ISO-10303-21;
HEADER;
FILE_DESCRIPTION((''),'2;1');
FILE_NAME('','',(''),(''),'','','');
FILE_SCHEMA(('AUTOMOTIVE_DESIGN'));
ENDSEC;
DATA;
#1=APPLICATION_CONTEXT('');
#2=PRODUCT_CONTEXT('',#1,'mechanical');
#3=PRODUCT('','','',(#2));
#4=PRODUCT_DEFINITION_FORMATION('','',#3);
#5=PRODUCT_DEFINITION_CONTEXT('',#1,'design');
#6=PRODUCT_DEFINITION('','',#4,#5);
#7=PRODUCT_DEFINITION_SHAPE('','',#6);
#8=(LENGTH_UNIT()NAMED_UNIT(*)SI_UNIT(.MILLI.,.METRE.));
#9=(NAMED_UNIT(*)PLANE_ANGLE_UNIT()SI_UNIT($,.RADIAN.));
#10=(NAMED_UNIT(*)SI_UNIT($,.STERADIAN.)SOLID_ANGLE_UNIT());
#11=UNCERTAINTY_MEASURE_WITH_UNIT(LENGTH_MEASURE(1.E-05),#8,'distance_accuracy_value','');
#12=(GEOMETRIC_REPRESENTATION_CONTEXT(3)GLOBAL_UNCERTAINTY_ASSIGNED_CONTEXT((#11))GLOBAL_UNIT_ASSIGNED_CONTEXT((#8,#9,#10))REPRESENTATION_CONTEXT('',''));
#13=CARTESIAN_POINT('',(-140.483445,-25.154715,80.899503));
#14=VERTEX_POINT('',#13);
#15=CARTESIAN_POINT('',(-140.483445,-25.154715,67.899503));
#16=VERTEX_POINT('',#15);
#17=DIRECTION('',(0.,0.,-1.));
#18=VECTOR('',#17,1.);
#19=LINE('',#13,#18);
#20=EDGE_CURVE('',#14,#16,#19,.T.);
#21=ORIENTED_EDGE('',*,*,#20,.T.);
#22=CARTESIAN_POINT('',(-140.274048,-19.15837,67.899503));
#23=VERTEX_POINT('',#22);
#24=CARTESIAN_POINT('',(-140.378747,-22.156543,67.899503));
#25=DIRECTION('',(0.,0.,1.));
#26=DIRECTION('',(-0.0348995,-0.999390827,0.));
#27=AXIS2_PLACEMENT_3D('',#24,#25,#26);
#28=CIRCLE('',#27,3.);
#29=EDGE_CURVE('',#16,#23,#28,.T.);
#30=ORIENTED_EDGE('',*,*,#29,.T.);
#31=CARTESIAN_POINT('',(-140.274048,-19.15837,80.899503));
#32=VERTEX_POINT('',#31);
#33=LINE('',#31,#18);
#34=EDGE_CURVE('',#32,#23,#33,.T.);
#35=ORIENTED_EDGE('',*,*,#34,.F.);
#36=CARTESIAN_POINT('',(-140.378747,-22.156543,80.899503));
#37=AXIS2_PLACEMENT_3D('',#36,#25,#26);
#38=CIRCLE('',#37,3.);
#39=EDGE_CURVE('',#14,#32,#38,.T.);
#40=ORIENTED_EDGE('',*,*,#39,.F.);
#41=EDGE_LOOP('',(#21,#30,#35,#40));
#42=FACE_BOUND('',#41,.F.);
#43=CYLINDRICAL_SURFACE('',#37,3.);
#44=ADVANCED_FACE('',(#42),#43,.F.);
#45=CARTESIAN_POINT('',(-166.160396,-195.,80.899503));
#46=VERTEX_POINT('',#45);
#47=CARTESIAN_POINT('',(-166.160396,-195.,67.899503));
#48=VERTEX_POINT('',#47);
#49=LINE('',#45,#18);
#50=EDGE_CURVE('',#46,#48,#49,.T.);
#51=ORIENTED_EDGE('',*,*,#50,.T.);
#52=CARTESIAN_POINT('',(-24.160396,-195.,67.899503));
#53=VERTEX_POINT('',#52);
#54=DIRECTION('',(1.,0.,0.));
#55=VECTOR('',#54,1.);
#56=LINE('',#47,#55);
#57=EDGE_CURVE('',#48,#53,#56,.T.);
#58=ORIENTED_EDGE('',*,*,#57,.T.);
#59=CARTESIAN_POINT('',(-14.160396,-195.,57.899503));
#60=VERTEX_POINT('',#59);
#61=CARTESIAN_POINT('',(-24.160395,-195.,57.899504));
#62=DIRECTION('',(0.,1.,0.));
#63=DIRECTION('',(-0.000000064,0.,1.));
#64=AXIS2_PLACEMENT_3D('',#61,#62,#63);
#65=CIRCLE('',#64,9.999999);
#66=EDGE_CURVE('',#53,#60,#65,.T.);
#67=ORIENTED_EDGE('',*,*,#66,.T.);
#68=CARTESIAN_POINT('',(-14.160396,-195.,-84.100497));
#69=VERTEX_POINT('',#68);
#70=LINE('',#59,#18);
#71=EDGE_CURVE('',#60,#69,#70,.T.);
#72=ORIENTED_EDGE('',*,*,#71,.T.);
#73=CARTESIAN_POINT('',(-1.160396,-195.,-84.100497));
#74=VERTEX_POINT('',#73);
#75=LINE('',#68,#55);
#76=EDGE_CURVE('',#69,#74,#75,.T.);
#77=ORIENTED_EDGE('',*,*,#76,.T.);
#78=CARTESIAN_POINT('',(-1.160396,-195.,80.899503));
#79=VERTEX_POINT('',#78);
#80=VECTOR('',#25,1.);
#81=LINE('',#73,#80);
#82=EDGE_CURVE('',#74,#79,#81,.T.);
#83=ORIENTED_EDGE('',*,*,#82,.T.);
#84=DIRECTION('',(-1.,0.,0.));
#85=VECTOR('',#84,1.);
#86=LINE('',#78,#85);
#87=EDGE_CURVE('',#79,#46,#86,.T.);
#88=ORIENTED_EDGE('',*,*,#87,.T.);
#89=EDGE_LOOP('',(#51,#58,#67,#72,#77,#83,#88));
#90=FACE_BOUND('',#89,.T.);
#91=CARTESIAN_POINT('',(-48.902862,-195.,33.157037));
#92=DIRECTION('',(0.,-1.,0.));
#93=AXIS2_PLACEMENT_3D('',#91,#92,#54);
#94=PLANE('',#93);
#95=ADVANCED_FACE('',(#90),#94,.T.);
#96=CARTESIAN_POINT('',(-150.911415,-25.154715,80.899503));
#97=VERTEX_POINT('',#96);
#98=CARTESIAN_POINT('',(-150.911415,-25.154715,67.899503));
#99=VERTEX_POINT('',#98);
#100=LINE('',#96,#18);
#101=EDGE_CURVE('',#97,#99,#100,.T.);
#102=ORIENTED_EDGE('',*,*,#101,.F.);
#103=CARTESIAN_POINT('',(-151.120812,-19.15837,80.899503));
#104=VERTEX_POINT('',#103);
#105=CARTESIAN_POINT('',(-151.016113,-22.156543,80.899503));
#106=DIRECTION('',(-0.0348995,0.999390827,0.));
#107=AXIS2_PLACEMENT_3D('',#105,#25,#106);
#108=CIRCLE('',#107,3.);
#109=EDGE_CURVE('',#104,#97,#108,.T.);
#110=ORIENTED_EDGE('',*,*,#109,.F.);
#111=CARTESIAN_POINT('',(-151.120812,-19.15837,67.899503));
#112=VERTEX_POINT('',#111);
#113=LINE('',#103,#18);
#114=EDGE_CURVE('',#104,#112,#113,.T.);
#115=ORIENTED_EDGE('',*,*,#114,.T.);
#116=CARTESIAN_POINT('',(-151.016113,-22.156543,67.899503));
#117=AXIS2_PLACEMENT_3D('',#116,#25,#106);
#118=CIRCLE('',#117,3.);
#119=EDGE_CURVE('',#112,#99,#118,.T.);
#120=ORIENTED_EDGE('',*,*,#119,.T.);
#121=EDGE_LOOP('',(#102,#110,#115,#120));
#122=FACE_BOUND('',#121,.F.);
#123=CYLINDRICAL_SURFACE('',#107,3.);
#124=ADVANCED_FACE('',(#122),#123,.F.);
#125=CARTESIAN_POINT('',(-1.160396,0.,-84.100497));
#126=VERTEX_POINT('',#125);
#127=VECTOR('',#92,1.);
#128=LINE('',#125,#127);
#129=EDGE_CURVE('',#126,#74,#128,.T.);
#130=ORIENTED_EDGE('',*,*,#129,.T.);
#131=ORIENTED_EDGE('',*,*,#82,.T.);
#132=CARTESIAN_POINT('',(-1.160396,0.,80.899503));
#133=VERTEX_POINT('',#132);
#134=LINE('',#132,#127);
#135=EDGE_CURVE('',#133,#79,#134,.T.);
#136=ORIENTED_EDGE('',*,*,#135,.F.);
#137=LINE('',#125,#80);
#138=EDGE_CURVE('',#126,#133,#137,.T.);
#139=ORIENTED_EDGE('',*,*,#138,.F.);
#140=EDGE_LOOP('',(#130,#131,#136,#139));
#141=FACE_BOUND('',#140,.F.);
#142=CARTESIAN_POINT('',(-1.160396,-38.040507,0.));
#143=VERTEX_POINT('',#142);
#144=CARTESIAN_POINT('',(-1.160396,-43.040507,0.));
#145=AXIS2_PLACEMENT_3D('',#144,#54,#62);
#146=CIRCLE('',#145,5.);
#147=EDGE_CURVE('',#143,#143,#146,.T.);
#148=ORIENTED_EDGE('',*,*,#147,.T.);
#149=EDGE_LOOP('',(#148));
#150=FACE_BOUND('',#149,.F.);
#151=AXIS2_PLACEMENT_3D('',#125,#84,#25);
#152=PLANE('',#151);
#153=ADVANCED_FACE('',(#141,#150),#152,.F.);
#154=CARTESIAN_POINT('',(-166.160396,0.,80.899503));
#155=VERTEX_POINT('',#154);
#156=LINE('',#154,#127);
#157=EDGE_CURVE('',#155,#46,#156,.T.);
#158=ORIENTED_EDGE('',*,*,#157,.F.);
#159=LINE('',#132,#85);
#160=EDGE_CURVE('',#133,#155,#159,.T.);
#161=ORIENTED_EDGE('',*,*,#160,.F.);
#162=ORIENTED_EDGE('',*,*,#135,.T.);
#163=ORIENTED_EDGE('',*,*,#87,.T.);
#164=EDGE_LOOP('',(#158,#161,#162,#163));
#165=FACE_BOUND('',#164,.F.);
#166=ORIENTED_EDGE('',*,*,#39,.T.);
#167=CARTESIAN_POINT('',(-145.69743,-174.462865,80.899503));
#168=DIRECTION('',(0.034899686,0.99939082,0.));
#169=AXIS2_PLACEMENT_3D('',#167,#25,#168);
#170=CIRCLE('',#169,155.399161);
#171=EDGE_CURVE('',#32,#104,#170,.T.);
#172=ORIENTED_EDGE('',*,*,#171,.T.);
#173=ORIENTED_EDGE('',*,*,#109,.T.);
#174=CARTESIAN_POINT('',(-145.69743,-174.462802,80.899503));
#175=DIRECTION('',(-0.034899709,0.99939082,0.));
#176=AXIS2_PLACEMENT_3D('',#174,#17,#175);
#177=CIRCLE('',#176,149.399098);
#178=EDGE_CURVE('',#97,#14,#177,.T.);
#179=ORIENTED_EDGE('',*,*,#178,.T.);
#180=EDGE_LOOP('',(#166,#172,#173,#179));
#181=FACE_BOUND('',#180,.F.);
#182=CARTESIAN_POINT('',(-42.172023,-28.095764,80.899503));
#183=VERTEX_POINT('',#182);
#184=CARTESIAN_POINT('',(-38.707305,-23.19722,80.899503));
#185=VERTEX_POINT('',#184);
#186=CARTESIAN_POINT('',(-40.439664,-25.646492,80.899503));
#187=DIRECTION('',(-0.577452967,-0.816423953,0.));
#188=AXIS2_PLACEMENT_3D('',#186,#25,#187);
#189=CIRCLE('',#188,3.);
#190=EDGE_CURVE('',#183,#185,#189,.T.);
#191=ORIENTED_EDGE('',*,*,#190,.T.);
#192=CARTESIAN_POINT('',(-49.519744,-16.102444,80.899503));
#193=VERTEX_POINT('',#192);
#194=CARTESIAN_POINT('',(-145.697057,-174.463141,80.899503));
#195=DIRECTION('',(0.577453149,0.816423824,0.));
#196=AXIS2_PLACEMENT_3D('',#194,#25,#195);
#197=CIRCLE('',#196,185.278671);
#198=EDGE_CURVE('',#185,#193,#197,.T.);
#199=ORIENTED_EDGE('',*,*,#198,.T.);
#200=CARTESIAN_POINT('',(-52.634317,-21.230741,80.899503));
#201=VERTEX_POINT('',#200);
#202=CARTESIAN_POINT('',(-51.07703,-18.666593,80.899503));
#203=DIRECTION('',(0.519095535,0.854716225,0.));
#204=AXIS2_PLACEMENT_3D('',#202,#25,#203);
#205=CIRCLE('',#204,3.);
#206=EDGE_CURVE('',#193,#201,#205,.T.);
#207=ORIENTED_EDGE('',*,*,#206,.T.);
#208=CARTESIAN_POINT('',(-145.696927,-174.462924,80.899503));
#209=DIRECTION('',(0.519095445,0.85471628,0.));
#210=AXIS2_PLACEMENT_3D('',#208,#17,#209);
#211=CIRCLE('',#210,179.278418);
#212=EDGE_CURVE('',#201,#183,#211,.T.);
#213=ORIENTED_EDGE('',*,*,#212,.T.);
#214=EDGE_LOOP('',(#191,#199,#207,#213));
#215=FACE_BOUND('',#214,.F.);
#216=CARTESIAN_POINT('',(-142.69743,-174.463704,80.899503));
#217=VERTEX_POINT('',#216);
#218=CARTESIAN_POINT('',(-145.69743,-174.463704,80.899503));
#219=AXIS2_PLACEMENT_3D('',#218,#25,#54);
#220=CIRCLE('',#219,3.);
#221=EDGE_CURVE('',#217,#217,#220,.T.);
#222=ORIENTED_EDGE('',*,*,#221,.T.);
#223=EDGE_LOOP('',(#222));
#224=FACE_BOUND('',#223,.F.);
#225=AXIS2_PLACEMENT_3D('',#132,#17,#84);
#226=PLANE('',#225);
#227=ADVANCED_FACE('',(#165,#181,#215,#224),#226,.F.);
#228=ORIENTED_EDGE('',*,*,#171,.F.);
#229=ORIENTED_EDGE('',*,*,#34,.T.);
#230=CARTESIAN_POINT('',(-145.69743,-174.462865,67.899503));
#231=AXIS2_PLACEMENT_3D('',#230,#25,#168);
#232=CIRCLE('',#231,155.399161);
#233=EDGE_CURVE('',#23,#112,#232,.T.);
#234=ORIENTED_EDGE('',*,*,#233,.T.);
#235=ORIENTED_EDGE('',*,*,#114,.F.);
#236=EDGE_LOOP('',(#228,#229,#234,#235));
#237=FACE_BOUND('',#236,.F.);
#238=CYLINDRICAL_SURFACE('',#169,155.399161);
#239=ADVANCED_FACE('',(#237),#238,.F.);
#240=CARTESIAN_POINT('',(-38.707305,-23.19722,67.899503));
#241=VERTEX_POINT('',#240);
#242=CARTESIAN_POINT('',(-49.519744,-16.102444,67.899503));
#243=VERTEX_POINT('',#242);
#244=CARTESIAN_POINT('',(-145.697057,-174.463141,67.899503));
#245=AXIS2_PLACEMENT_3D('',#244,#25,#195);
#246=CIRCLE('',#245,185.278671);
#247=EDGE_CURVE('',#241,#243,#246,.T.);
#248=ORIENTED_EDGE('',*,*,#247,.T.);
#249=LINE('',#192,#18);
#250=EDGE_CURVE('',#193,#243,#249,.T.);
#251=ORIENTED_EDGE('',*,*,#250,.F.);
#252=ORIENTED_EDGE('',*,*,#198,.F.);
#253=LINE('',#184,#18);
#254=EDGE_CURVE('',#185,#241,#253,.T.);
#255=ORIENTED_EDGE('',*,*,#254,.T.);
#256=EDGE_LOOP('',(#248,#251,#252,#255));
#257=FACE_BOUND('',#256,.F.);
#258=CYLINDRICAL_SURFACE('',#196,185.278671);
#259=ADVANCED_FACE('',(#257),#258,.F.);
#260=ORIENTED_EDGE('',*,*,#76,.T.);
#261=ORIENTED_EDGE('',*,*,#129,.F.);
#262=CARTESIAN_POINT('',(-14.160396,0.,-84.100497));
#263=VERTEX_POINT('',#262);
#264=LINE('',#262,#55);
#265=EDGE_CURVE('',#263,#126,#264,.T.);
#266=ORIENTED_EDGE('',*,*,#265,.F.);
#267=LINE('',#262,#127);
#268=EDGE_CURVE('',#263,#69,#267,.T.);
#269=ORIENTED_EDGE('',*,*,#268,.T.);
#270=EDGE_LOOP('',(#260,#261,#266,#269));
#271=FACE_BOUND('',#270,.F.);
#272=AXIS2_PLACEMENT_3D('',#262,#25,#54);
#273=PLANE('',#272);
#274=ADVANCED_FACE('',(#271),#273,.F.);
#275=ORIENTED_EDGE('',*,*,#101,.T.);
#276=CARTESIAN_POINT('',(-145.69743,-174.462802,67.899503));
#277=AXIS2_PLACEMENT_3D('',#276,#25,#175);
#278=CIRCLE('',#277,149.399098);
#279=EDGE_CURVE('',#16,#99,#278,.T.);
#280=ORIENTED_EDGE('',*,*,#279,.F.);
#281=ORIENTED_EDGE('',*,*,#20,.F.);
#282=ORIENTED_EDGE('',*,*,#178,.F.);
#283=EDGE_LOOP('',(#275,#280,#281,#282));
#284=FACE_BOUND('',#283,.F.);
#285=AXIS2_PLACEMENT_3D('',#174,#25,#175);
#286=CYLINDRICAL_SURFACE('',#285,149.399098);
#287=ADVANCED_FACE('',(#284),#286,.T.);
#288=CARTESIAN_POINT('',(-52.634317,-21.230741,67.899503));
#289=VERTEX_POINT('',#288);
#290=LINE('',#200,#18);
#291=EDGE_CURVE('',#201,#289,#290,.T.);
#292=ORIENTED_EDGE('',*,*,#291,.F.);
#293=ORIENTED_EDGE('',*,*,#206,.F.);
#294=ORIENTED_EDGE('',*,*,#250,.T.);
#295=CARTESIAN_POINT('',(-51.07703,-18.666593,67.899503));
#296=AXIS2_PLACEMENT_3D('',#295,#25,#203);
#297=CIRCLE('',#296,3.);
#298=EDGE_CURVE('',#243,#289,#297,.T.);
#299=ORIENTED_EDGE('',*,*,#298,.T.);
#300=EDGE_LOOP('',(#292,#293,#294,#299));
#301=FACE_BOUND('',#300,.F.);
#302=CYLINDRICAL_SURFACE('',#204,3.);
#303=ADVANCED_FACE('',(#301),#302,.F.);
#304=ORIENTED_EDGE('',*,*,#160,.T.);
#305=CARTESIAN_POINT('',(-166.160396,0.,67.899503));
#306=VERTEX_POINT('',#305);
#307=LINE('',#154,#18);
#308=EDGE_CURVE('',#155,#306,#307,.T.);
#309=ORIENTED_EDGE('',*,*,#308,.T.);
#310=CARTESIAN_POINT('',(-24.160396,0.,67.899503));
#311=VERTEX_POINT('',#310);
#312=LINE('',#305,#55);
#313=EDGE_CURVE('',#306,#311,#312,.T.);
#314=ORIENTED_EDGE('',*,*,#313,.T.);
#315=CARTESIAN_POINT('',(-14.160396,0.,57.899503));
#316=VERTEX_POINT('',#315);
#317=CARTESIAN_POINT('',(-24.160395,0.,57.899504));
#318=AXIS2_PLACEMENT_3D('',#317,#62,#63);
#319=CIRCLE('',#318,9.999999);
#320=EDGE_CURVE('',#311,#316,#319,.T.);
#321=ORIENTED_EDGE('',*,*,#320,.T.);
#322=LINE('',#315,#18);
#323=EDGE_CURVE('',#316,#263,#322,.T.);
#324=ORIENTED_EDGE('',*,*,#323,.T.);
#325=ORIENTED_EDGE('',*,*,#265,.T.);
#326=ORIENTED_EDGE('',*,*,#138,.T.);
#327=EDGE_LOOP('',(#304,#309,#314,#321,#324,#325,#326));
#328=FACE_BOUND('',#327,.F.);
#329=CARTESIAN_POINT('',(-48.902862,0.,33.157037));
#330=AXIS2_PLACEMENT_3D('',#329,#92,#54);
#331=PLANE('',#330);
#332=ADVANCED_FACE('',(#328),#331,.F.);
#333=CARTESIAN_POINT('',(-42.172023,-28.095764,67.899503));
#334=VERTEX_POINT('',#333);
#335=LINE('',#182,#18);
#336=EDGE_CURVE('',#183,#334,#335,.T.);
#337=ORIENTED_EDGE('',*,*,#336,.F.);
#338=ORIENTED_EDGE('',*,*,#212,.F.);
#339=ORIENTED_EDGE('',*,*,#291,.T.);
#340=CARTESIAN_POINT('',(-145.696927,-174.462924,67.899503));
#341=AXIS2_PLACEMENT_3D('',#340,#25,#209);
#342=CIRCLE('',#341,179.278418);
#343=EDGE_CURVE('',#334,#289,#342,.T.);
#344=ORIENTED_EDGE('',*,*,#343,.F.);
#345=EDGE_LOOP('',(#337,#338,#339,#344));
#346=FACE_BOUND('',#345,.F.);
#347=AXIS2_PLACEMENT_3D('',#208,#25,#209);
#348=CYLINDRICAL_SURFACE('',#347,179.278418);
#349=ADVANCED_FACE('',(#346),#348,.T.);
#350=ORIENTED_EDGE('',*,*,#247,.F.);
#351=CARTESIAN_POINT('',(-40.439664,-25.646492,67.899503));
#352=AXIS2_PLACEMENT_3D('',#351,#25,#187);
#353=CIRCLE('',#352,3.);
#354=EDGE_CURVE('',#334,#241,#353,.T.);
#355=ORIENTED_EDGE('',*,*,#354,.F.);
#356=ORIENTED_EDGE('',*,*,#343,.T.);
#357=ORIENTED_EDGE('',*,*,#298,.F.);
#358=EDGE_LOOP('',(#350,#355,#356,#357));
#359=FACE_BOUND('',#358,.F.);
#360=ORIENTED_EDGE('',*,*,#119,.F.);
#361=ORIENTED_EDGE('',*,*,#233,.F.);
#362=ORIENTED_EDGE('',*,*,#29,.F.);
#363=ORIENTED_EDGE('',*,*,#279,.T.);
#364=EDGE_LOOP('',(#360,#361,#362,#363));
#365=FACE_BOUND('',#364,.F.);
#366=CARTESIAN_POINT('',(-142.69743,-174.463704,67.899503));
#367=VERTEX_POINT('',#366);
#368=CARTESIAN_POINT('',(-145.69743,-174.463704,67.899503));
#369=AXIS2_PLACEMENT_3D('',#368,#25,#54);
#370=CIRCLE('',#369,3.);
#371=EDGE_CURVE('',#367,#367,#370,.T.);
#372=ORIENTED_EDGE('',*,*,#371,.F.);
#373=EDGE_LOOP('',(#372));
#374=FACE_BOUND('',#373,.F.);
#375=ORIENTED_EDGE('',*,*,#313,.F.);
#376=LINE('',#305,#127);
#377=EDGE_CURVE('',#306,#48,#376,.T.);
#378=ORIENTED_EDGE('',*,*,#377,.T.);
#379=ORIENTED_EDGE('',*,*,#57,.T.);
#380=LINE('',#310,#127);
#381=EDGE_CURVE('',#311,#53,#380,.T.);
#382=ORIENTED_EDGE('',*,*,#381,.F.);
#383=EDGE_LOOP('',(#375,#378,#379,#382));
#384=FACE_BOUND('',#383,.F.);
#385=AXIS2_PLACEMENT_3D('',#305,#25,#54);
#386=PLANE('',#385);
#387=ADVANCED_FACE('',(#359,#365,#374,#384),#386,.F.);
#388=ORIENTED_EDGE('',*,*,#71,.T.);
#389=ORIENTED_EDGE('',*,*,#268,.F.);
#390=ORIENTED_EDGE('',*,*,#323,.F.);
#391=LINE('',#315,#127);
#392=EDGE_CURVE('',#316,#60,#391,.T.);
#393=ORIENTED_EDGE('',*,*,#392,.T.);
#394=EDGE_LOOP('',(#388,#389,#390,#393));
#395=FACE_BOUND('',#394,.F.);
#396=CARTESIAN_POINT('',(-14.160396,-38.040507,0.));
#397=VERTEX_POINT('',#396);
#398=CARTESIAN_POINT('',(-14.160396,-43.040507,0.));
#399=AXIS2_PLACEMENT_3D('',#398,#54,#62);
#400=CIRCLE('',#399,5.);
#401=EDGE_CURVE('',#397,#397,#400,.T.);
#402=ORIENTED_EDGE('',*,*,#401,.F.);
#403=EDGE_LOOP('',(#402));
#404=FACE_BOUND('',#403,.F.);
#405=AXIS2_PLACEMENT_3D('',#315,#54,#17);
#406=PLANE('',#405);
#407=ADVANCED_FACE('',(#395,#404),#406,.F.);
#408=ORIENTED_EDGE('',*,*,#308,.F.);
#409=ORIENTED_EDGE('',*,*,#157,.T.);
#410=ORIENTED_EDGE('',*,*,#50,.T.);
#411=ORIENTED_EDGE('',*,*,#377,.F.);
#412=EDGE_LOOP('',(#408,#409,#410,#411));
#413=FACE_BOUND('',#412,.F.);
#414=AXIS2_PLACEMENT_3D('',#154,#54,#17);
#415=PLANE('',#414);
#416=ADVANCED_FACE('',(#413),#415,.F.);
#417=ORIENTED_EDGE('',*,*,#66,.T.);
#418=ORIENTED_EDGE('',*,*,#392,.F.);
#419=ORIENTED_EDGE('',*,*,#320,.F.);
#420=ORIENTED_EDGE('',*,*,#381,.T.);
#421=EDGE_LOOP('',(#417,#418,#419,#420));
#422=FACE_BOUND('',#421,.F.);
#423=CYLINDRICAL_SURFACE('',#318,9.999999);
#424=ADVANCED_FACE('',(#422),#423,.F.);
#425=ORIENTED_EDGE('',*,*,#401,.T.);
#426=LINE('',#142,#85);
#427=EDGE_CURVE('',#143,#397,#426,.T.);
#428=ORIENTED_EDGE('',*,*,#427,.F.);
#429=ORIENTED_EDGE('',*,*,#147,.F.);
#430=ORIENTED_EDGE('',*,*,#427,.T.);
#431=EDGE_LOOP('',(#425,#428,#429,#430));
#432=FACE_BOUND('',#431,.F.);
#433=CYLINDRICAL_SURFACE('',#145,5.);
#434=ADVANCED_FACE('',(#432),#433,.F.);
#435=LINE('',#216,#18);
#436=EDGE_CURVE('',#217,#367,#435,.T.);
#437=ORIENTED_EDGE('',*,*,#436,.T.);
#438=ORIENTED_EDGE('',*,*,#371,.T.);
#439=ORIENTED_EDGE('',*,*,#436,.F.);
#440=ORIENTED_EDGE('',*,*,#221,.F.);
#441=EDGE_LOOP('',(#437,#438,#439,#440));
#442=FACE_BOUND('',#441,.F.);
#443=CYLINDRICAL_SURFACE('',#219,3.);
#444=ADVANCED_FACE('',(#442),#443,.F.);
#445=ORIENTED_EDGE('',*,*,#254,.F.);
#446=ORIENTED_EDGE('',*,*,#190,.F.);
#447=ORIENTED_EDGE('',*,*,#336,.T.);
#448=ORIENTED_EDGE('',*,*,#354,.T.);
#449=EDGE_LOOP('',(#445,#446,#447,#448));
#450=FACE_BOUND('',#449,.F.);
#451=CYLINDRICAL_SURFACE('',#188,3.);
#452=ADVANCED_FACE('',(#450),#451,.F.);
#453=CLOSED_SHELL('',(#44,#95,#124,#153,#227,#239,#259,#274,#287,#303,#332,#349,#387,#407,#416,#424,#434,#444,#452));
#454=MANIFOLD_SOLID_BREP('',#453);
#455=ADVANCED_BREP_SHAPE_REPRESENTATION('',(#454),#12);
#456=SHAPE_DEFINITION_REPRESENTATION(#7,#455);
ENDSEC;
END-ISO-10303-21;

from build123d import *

# Parameters (mm, degrees)
F1_DEPTH = 195
F2_R     = 3
F3_DEPTH = 25
F4_R     = 5
F5_DEPTH = 25


with BuildPart() as f1:
    # F0 (on Front) → F1 (new body)
    with BuildSketch(Plane.XZ):
        with BuildLine():
            Line((-1.160396, -84.100497), (-1.160396, 80.899503))
            Line((-1.160396, 80.899503), (-166.160396, 80.899503))
            Line((-166.160396, 80.899503), (-166.160396, 67.899503))
            Line((-166.160396, 67.899503), (-24.160396, 67.899503))
            ThreePointArc((-24.160396, 67.899503), (-17.089328, 64.970571), (-14.160396, 57.899503))
            Line((-14.160396, 57.899503), (-14.160396, -84.100497))
            Line((-14.160396, -84.100497), (-1.160396, -84.100497))
        make_face()
    extrude(amount=F1_DEPTH)

    # F2 (on face) → F3 (cut)
    with BuildSketch(Plane.XY.offset(80.899503)):
        with BuildLine():
            ThreePointArc((-150.911415, -25.154715), (-145.69743, -25.063704), (-140.483445, -25.154715))
            ThreePointArc((-140.483445, -25.154715), (-137.380574, -22.261241), (-140.274048, -19.15837))
            ThreePointArc((-140.274048, -19.15837), (-145.69743, -19.063704), (-151.120812, -19.15837))
            ThreePointArc((-151.120812, -19.15837), (-154.014286, -22.261241), (-150.911415, -25.154715))
        make_face()
        with BuildLine():
            ThreePointArc((-38.707305, -23.19722), (-44.051604, -19.555466), (-49.519744, -16.102444))
            ThreePointArc((-49.519744, -16.102444), (-53.641179, -17.109306), (-52.634317, -21.230741))
            ThreePointArc((-52.634317, -21.230741), (-47.343255, -24.571942), (-42.172023, -28.095764))
            ThreePointArc((-42.172023, -28.095764), (-37.990392, -27.378851), (-38.707305, -23.19722))
        make_face()
        with Locations((-145.69743, -174.463704)):
            Circle(F2_R)
    extrude(amount=-F3_DEPTH, mode=Mode.SUBTRACT)

    # F4 (on face) → F5 (cut)
    with BuildSketch(Plane.YZ.offset(-1.160396)):
        with Locations((-43.040507, 0)):
            Circle(F4_R)
    extrude(amount=-F5_DEPTH, mode=Mode.SUBTRACT)


solid = f1.part
